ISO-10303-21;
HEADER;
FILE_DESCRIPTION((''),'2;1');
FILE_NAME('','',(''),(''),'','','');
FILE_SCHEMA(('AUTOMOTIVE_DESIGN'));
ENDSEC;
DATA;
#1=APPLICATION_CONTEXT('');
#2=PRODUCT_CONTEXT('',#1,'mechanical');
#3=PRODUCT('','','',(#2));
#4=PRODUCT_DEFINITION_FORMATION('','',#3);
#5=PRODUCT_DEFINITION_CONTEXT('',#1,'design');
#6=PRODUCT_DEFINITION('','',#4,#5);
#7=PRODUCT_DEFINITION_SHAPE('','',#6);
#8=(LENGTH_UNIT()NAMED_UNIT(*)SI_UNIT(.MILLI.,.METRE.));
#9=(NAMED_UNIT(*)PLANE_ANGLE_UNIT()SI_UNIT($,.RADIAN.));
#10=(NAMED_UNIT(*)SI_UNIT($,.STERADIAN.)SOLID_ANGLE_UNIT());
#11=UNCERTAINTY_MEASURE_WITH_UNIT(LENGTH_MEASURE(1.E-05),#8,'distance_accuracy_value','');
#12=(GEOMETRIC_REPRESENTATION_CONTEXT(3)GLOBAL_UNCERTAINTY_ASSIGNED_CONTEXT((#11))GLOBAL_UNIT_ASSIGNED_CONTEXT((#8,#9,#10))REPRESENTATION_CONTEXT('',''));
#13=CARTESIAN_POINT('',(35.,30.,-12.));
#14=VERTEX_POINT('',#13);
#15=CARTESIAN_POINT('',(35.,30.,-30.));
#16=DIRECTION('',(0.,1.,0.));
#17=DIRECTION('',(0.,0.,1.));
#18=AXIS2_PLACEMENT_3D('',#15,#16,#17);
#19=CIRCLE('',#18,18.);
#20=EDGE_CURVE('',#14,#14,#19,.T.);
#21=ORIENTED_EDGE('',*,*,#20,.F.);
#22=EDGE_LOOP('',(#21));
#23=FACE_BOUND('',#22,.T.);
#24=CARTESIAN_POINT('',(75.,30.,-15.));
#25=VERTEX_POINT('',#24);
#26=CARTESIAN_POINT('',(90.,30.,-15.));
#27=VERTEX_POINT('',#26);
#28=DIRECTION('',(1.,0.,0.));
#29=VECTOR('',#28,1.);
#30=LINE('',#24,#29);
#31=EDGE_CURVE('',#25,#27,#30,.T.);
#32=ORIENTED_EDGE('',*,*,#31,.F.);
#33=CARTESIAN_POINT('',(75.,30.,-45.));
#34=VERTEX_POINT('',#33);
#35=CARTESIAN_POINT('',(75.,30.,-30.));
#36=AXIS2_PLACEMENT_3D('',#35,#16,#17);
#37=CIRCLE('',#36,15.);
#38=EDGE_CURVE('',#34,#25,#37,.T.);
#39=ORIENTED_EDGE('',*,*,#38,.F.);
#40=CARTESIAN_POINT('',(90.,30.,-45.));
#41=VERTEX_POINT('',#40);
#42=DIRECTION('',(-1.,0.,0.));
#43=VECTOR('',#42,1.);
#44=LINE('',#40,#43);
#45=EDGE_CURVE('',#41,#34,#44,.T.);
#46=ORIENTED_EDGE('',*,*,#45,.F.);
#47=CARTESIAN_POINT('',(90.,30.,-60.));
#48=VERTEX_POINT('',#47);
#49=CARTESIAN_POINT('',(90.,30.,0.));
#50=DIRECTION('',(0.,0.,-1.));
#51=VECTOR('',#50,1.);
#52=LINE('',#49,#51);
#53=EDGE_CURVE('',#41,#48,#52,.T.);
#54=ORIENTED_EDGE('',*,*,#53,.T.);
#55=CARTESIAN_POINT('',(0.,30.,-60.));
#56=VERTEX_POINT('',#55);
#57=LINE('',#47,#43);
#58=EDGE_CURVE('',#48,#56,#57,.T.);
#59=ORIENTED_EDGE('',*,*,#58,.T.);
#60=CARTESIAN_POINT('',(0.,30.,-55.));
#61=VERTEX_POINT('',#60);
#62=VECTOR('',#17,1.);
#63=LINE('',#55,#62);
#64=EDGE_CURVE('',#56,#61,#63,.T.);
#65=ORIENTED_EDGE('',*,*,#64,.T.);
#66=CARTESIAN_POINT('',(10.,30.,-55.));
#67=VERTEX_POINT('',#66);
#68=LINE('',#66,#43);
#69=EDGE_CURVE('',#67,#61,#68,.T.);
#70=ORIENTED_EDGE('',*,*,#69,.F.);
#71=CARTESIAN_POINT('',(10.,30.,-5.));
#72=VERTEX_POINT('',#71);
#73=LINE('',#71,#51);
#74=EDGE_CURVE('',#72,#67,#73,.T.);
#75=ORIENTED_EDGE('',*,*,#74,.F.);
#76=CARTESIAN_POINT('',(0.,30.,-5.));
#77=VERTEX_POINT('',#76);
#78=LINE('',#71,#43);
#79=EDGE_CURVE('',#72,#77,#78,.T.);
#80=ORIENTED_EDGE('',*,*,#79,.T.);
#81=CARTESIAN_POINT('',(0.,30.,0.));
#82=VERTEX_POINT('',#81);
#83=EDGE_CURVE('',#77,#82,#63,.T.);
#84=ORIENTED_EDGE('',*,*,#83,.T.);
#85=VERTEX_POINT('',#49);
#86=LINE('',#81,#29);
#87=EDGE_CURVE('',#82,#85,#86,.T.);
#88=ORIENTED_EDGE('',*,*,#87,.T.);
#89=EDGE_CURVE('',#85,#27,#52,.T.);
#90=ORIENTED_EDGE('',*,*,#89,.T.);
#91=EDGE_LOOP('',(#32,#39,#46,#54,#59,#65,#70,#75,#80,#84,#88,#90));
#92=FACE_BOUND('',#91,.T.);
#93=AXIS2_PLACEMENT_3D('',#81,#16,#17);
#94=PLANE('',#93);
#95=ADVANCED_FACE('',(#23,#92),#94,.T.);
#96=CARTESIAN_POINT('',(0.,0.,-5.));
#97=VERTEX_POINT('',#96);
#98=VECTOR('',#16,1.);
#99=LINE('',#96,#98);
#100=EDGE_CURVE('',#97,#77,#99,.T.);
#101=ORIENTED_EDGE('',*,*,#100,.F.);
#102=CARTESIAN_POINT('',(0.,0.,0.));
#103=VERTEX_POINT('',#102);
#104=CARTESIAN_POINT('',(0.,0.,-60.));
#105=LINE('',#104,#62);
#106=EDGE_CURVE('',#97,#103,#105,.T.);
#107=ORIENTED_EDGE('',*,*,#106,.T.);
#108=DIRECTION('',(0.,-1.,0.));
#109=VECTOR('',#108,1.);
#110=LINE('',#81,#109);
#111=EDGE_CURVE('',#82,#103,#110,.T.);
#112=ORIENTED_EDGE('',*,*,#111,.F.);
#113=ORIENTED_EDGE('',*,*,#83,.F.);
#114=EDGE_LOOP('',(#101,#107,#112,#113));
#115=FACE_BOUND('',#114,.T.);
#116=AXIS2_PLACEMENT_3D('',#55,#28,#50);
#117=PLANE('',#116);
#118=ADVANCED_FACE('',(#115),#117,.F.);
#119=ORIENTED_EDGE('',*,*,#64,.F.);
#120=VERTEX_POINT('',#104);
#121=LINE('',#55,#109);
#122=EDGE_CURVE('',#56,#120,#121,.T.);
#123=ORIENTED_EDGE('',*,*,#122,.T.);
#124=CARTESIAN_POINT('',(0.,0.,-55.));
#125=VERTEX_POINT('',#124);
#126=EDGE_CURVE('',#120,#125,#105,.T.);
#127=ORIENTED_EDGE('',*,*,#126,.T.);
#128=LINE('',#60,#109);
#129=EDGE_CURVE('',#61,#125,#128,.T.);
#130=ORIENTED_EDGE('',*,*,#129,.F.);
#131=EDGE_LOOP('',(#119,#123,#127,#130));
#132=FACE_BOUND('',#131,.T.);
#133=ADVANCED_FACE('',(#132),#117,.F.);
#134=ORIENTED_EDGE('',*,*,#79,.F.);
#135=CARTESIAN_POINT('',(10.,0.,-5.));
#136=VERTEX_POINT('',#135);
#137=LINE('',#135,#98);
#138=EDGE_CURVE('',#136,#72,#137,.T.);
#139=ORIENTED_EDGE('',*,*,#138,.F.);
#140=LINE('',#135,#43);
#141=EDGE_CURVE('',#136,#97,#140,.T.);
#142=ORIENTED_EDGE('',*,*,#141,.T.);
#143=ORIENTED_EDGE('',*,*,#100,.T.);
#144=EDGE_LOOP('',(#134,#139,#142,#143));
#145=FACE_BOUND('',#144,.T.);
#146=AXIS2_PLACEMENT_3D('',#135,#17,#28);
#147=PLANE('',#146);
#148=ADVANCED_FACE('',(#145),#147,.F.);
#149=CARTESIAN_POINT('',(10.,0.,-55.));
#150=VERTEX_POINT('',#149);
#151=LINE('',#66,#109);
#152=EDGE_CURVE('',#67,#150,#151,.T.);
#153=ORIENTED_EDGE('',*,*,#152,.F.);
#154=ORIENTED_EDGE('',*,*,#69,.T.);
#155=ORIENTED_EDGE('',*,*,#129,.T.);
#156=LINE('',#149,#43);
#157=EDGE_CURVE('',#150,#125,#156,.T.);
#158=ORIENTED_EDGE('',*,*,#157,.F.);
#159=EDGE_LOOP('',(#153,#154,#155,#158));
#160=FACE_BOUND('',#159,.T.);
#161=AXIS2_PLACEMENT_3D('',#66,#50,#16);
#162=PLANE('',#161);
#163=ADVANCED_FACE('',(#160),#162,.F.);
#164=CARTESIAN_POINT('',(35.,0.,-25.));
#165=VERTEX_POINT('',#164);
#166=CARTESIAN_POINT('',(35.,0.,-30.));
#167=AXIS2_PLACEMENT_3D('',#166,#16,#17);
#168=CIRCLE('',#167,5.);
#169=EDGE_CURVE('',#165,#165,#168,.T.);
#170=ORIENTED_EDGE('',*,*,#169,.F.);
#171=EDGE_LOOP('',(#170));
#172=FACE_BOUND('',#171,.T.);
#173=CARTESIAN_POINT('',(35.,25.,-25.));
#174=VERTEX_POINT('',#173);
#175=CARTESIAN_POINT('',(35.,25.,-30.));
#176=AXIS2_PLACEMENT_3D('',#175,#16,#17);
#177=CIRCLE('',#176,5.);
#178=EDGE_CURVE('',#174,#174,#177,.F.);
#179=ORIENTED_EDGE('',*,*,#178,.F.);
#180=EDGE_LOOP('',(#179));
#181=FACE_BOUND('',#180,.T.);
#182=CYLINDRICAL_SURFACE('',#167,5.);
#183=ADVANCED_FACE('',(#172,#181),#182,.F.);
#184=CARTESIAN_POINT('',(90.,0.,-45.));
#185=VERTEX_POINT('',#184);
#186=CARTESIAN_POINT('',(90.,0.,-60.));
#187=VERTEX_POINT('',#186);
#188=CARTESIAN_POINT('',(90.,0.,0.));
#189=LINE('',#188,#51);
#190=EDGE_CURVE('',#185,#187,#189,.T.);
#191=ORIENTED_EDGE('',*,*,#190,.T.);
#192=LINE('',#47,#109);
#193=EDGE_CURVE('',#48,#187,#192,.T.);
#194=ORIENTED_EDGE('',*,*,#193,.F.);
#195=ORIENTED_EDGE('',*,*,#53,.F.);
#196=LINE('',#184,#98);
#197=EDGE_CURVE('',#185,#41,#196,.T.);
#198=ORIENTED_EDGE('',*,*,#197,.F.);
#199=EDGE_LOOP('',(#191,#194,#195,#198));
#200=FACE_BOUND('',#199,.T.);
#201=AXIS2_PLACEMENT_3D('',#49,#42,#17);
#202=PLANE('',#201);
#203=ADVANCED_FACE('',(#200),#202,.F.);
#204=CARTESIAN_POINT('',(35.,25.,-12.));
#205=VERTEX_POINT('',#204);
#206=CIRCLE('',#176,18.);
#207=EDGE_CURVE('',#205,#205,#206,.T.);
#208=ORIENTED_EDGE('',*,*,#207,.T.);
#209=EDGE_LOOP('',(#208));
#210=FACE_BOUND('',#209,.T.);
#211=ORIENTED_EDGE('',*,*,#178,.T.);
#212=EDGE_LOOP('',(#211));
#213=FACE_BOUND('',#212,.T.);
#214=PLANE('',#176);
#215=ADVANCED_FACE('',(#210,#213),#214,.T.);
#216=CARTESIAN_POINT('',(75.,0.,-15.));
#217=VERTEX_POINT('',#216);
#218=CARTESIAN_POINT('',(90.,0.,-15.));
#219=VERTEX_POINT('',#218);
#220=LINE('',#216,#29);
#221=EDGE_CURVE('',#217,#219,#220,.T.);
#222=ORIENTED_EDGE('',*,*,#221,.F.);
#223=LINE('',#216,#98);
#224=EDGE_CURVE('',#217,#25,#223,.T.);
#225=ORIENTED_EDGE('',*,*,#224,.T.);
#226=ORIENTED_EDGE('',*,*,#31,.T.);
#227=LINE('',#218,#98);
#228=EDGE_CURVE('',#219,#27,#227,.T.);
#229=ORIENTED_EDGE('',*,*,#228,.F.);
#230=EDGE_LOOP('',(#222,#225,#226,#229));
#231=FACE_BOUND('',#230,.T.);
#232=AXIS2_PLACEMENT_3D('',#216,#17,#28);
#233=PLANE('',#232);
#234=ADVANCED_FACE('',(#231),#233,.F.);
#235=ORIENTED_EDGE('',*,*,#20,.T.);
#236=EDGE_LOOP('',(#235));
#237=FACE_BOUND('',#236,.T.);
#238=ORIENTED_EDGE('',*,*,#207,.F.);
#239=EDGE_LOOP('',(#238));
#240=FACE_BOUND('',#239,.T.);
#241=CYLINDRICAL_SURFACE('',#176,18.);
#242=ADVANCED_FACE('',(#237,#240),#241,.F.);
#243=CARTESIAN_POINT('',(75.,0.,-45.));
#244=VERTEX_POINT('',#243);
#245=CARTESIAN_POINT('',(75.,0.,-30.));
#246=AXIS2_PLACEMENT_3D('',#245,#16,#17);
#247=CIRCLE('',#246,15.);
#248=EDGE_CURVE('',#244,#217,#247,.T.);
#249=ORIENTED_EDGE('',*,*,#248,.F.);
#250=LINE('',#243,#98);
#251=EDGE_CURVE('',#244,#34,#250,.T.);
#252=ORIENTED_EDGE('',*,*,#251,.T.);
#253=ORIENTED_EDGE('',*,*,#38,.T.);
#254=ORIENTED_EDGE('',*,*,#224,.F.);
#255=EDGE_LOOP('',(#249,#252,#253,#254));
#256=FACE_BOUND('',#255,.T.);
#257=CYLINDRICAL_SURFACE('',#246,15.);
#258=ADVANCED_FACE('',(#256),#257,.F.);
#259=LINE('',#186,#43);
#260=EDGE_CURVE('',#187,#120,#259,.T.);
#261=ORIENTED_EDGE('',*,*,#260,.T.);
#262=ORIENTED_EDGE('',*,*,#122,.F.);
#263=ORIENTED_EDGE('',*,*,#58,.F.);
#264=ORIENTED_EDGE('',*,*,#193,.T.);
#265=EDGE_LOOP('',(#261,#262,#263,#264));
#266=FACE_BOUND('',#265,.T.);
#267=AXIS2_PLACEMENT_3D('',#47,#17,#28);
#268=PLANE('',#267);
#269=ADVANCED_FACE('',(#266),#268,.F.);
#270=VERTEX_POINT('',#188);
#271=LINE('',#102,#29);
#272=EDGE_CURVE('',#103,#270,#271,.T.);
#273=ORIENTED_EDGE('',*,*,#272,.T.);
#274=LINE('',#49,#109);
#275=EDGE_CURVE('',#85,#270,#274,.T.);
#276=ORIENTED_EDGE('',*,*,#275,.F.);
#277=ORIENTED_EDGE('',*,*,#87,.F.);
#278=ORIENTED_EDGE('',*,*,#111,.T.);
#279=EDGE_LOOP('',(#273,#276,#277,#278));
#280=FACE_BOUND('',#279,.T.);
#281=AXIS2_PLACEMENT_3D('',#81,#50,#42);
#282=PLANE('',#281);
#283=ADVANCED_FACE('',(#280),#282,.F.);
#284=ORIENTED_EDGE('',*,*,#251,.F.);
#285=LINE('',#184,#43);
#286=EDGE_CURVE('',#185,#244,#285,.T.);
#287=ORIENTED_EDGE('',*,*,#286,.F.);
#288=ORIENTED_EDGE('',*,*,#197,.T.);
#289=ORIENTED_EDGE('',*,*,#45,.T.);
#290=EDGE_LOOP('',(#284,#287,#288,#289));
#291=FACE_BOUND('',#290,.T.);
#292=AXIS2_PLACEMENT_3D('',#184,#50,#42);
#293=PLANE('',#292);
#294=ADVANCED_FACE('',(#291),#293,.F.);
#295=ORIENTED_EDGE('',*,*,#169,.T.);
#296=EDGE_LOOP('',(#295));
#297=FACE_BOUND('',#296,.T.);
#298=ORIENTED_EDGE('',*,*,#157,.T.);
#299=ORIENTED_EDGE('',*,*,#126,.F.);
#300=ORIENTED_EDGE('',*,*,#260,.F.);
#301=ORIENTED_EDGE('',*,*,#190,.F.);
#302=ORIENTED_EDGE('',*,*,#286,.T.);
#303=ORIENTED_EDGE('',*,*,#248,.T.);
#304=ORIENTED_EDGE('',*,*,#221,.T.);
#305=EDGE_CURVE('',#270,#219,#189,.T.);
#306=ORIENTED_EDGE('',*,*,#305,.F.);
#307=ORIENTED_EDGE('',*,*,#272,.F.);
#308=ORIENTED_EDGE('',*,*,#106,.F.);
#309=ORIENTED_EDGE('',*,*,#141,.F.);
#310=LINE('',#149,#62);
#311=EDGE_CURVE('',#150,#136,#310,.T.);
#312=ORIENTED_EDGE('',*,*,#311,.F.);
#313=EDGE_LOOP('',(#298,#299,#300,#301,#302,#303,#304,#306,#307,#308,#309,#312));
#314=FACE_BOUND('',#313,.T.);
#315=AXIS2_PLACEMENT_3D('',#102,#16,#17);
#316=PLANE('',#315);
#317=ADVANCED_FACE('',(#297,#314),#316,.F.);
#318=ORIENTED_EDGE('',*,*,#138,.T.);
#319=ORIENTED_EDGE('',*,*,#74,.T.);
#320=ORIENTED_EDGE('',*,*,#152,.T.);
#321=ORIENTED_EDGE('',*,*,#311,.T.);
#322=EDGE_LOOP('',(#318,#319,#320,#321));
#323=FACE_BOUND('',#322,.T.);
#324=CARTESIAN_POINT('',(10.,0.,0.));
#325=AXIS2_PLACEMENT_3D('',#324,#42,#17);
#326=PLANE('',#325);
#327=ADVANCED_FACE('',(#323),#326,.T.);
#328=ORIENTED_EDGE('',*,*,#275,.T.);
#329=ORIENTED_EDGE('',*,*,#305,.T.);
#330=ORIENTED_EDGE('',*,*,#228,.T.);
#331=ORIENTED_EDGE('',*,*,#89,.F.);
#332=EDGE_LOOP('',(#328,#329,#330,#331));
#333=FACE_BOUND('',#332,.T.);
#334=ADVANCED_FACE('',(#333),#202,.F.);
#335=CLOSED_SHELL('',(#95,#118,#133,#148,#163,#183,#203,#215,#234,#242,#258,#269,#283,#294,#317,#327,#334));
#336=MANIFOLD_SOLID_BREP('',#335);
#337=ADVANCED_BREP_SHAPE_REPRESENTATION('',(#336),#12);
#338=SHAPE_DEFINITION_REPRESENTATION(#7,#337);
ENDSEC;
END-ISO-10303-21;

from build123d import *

# Parameters (mm, degrees)
ESBO_O1_W                = 90
ESBO_O1_H                = 60
RESSALTO_EXTRUS_O1_DEPTH = 30
CORTE_EXTRUS_O1_DEPTH    = 113.249721603
ESBO_O18_W               = 50
ESBO_O18_H               = 30
CORTE_EXTRUS_O2_DEPTH    = 10
ESBO_O20_R               = 5
CORTE_EXTRUS_O4_DEPTH    = 113.249721603
ESBO_O22_R               = 18
CORTE_EXTRUS_O5_DEPTH    = 5


with BuildPart() as part:
    # Esboço1 → Ressalto-extrusão1 (new body)
    with BuildSketch(Plane(origin=(0, 0, 0), x_dir=(1, 0, 0), z_dir=(0, 1, 0))):
        with Locations((45, 30)):
            Rectangle(ESBO_O1_W, ESBO_O1_H)
    extrude(amount=RESSALTO_EXTRUS_O1_DEPTH)

    # Esboço2 → Corte-extrusão1 (cut, through all)
    with BuildSketch(Plane(origin=(0, 30, 0), x_dir=(1, 0, 0), z_dir=(0, 1, 0))):
        with BuildLine():
            Line((90, 45), (75, 45))
            ThreePointArc((75, 45), (60, 30), (75, 15))
            Line((75, 15), (90, 15))
            Line((90, 15), (90, 45))
        make_face()
    extrude(amount=-CORTE_EXTRUS_O1_DEPTH, mode=Mode.SUBTRACT)

    # Esboço18 → Corte-extrusão2 (cut)
    with BuildSketch(Plane.ZY):
        with Locations((-30, 15)):
            Rectangle(ESBO_O18_W, ESBO_O18_H)
    extrude(amount=-CORTE_EXTRUS_O2_DEPTH, mode=Mode.SUBTRACT)

    # Esboço20 → Corte-extrusão4 (cut, through all)
    with BuildSketch(Plane(origin=(0, 30, 0), x_dir=(1, 0, 0), z_dir=(0, 1, 0))):
        with Locations(Location((35, 30, 0), (0, 0, 270))):
            Circle(ESBO_O20_R)
    extrude(amount=-CORTE_EXTRUS_O4_DEPTH, mode=Mode.SUBTRACT)

    # Esboço22 → Corte-extrusão5 (cut)
    with BuildSketch(Plane(origin=(0, 30, 0), x_dir=(1, 0, 0), z_dir=(0, 1, 0))):
        with Locations(Location((35, 30, 0), (0, 0, 270))):
            Circle(ESBO_O22_R)
    extrude(amount=-CORTE_EXTRUS_O5_DEPTH, mode=Mode.SUBTRACT)


solid = part.part
